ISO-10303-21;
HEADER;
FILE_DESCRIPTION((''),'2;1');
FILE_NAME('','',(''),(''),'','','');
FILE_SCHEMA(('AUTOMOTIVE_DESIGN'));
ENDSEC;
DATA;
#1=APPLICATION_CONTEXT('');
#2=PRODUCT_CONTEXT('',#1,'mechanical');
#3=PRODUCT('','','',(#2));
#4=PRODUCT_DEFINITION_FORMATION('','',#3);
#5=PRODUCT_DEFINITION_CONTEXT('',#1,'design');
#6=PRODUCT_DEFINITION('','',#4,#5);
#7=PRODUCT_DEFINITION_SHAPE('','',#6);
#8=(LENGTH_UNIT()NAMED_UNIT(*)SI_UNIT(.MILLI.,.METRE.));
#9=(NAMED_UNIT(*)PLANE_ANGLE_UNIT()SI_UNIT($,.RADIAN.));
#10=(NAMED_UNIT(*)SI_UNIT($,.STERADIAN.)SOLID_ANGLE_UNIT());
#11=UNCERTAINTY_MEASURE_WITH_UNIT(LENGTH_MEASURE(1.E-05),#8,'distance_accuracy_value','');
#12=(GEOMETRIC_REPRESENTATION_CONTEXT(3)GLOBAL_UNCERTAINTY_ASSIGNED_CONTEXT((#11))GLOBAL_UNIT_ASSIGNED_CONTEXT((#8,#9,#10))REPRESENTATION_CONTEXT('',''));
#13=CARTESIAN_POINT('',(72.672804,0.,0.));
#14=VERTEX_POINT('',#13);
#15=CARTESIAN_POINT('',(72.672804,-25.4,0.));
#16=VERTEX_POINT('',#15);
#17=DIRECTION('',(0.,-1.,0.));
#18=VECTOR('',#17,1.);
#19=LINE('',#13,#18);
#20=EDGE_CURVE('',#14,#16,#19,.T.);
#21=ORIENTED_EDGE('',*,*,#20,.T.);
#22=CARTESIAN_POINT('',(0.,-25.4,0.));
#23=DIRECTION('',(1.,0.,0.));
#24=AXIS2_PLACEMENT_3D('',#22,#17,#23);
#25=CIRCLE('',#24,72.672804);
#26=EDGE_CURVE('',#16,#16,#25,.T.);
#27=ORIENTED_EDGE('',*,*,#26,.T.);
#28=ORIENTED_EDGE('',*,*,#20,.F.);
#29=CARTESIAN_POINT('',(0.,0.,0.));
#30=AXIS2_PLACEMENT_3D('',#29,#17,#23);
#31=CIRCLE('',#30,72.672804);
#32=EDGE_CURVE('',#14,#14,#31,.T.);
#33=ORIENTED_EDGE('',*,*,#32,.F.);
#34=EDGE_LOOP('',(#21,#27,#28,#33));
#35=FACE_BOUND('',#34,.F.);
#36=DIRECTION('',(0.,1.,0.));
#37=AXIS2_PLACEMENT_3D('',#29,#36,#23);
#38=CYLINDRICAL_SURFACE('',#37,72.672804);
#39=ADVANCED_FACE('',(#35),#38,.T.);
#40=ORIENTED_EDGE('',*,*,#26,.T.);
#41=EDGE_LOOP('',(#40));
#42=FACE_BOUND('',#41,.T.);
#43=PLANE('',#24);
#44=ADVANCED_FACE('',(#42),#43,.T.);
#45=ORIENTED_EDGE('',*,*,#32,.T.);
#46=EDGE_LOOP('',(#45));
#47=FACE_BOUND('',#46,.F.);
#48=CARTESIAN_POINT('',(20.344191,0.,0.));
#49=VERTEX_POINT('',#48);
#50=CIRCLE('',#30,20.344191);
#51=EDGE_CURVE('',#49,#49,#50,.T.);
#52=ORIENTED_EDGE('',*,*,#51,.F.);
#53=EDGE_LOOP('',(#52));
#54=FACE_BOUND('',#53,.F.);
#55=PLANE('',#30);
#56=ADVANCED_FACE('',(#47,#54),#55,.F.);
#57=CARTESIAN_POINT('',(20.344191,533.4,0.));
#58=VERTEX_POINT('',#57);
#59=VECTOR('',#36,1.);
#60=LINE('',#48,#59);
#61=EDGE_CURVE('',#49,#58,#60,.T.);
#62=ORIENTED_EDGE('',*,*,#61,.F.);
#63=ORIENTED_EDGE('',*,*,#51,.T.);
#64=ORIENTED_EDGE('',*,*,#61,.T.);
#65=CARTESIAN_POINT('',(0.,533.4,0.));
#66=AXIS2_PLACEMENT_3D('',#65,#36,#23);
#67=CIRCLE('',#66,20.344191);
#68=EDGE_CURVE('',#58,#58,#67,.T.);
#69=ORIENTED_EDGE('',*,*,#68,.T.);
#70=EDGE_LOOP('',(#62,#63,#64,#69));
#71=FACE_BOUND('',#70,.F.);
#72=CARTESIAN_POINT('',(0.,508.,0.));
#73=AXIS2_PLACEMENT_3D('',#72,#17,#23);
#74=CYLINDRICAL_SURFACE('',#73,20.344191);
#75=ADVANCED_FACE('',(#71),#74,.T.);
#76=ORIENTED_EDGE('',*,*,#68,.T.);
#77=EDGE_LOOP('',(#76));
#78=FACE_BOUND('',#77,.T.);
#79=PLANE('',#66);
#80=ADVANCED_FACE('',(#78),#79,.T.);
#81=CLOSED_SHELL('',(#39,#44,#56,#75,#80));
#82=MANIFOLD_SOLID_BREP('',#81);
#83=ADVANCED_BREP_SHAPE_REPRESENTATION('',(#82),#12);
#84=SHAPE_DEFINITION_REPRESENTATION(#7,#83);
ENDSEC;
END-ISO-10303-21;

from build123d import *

# Parameters (mm, degrees)
F0_R      = 72.672804
F1_DEPTH  = 25.4
F2_R      = 20.344191
F3_DEPTH  = 508
F3_FACE_R = 20.344191
F4_DEPTH  = 25.4


with BuildPart() as f1:
    # F0 (on Front) → F1 (new body)
    with BuildSketch(Plane.XZ):
        Circle(F0_R)
    extrude(amount=F1_DEPTH)

    # F2 (on Front) → F3 (join)
    with BuildSketch(Plane.XZ):
        Circle(F2_R)
    extrude(amount=-F3_DEPTH)

    # F3_face (on face) → F4 (join)
    with BuildSketch(Plane(origin=(0, 508, 0), x_dir=(1, 0, 0), z_dir=(0, 1, 0))):
        Circle(F3_FACE_R)
    extrude(amount=F4_DEPTH)


solid = f1.part
